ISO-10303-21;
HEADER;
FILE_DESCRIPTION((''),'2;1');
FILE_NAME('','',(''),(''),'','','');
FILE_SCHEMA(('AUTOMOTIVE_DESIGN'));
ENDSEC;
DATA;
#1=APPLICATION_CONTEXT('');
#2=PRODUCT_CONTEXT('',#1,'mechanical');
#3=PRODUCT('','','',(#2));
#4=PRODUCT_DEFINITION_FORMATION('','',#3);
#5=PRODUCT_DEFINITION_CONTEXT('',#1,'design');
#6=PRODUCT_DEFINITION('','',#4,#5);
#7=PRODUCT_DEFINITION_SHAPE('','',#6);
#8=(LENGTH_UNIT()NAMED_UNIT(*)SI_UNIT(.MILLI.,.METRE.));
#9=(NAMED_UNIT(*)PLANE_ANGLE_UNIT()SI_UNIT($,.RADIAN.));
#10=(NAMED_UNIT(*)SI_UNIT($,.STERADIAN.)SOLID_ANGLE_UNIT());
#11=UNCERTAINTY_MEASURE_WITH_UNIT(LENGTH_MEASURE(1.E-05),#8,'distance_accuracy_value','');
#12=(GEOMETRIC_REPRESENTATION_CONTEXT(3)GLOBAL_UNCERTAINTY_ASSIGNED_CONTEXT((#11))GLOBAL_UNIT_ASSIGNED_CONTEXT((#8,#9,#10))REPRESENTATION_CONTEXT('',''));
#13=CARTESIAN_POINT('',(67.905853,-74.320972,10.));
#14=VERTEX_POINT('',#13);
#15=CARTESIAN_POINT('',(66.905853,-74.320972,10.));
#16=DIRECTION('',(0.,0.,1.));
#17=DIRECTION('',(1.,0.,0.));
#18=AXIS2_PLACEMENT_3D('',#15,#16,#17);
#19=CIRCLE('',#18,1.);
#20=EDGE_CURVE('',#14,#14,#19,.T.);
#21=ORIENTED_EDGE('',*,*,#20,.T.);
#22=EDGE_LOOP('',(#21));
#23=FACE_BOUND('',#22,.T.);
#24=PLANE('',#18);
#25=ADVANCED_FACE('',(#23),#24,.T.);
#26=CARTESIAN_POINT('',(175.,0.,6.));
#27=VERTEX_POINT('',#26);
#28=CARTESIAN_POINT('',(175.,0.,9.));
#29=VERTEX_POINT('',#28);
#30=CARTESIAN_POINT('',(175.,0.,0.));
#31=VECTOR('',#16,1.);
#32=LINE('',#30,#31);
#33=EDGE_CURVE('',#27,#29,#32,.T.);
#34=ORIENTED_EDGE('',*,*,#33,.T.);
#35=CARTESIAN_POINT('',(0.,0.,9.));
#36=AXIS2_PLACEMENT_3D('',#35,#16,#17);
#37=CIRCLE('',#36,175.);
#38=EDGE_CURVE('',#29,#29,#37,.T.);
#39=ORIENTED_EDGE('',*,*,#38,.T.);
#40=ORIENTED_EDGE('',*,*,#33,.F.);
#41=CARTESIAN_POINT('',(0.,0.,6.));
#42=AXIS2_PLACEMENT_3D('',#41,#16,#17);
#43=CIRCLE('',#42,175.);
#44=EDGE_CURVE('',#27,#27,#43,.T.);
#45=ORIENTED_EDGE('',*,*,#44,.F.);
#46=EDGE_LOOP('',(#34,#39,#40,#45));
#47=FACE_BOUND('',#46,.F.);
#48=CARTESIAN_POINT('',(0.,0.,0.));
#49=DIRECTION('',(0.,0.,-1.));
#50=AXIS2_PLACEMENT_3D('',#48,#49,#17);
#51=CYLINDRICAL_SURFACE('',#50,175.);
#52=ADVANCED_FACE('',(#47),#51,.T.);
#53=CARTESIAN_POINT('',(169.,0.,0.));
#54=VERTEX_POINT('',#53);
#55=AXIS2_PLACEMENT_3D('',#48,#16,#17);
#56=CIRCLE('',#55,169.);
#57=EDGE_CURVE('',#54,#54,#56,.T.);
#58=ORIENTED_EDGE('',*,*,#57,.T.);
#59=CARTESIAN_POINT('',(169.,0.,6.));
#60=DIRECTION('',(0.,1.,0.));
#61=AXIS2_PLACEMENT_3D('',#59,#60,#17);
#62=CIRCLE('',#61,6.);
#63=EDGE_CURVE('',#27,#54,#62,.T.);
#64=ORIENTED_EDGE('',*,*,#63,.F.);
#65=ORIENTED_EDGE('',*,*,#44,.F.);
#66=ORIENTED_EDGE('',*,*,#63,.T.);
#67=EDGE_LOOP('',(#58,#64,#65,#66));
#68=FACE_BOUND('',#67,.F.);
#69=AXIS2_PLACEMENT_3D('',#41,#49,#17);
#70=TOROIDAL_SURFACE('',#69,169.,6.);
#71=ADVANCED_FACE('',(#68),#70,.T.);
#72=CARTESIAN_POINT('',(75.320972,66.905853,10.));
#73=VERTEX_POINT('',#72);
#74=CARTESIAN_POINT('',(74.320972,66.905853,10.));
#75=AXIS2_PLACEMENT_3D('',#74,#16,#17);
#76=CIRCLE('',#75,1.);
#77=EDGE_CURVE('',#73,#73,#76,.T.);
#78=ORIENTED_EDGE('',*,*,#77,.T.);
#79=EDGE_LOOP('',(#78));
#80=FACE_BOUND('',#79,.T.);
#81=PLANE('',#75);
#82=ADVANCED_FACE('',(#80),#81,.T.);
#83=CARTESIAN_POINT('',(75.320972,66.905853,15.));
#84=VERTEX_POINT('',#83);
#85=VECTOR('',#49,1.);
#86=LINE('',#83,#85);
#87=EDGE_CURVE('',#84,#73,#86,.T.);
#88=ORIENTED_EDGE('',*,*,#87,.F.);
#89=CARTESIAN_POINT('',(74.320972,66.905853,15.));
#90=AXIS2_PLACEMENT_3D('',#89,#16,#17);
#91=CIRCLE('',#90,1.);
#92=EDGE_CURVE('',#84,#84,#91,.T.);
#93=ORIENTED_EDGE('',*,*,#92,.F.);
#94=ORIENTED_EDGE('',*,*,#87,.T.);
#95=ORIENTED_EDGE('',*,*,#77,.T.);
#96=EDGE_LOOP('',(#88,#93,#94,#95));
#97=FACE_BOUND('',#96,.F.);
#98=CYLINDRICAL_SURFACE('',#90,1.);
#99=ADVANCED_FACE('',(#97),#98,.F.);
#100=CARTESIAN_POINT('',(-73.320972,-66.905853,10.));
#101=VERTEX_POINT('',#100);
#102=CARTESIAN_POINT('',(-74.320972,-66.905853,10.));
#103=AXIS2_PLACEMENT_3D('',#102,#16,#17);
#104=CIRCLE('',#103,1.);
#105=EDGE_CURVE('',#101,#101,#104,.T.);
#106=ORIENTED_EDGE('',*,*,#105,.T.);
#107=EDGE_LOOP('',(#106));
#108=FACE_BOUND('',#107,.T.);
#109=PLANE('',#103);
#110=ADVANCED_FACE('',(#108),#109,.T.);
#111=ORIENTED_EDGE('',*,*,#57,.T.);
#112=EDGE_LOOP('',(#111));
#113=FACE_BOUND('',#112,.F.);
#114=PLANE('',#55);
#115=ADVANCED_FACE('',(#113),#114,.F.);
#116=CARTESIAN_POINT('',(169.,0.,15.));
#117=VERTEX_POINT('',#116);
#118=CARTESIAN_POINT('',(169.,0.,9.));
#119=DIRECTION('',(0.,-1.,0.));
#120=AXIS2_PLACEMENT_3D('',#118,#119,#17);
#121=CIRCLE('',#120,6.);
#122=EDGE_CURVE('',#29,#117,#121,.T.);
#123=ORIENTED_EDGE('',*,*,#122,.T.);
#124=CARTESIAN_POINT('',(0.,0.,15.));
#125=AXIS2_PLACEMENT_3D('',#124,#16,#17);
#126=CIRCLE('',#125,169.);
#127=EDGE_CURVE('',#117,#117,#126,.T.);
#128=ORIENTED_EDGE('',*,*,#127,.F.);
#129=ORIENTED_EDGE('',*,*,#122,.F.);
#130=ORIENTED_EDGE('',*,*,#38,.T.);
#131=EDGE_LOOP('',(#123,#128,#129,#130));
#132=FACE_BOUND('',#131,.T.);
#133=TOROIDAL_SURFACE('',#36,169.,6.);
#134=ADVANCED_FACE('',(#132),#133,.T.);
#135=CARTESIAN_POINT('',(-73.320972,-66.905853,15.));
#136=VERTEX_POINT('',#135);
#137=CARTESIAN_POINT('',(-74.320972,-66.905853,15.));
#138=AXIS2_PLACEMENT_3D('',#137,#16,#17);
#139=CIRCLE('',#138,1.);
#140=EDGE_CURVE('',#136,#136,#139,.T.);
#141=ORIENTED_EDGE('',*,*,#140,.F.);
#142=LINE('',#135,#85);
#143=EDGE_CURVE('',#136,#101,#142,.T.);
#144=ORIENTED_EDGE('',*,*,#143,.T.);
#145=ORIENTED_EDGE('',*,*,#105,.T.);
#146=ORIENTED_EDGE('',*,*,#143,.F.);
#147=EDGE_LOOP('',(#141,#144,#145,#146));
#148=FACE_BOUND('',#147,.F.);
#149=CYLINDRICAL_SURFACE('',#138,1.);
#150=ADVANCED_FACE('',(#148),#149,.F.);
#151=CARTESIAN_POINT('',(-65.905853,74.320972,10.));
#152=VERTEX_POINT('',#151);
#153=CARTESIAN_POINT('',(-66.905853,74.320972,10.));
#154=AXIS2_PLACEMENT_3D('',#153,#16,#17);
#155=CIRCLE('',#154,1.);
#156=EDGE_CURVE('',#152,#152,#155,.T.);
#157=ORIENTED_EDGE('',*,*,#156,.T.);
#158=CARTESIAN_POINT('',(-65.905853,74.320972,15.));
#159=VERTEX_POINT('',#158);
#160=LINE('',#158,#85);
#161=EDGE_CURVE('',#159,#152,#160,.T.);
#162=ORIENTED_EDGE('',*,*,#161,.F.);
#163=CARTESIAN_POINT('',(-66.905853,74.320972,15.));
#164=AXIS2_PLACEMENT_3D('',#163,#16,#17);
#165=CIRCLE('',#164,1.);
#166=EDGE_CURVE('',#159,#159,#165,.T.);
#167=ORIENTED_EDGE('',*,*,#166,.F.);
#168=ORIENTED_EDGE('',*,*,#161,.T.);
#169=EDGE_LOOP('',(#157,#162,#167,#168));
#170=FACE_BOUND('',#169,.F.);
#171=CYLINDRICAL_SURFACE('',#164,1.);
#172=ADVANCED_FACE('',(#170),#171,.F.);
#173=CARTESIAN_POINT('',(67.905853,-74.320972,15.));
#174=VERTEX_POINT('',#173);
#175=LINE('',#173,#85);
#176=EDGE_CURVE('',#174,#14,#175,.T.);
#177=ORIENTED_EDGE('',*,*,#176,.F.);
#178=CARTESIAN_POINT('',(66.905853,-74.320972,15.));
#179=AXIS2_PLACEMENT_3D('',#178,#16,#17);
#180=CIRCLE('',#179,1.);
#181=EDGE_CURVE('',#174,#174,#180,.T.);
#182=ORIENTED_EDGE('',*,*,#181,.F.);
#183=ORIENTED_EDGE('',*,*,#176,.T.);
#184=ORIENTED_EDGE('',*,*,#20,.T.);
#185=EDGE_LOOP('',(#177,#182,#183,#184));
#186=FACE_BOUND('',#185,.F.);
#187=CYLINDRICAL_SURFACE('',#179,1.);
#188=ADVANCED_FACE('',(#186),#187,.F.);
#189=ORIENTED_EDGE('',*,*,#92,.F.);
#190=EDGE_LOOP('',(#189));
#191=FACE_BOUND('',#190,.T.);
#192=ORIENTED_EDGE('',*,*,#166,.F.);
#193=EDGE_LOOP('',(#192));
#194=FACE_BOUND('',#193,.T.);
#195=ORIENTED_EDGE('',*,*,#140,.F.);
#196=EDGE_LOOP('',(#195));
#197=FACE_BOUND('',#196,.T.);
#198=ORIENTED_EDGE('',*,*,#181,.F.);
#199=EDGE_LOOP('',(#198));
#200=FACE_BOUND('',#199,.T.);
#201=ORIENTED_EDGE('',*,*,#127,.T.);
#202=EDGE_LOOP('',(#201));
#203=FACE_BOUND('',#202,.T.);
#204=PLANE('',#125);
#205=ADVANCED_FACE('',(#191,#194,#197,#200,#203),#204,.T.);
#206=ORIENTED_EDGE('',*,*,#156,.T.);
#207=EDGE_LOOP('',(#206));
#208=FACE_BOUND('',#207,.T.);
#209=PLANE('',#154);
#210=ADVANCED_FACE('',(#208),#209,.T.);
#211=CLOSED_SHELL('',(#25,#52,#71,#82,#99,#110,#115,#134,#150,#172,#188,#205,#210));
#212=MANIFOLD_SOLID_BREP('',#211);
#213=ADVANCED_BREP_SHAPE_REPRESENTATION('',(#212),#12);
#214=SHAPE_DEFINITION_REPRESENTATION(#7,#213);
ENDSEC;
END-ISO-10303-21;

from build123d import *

# Parameters (mm, degrees)
F0_R     = 175
F1_DEPTH = 15
F2_R     = 6
F3_R     = 1
F4_DEPTH = 5


with BuildPart() as f1:
    # F0 (on Top) → F1 (new body)
    with BuildSketch(Plane.XY):
        Circle(F0_R)
    extrude(amount=F1_DEPTH)

    # F2
    f2_edges = [f1.edges().sort_by_distance(p)[0] for p in [
        (-175, 0, 15),
        (-175, 0, 0),
    ]]
    fillet(f2_edges, radius=F2_R)

    # F3 (on face) → F4 (cut)
    with BuildSketch(Plane.XY.offset(15)):
        with Locations((-66.905853, 74.320972)):
            Circle(F3_R)
        with Locations((-74.320972, -66.905853)):
            Circle(F3_R)
        with Locations((66.905853, -74.320972)):
            Circle(F3_R)
        with Locations((74.320972, 66.905853)):
            Circle(F3_R)
    extrude(amount=-F4_DEPTH, mode=Mode.SUBTRACT)


solid = f1.part
